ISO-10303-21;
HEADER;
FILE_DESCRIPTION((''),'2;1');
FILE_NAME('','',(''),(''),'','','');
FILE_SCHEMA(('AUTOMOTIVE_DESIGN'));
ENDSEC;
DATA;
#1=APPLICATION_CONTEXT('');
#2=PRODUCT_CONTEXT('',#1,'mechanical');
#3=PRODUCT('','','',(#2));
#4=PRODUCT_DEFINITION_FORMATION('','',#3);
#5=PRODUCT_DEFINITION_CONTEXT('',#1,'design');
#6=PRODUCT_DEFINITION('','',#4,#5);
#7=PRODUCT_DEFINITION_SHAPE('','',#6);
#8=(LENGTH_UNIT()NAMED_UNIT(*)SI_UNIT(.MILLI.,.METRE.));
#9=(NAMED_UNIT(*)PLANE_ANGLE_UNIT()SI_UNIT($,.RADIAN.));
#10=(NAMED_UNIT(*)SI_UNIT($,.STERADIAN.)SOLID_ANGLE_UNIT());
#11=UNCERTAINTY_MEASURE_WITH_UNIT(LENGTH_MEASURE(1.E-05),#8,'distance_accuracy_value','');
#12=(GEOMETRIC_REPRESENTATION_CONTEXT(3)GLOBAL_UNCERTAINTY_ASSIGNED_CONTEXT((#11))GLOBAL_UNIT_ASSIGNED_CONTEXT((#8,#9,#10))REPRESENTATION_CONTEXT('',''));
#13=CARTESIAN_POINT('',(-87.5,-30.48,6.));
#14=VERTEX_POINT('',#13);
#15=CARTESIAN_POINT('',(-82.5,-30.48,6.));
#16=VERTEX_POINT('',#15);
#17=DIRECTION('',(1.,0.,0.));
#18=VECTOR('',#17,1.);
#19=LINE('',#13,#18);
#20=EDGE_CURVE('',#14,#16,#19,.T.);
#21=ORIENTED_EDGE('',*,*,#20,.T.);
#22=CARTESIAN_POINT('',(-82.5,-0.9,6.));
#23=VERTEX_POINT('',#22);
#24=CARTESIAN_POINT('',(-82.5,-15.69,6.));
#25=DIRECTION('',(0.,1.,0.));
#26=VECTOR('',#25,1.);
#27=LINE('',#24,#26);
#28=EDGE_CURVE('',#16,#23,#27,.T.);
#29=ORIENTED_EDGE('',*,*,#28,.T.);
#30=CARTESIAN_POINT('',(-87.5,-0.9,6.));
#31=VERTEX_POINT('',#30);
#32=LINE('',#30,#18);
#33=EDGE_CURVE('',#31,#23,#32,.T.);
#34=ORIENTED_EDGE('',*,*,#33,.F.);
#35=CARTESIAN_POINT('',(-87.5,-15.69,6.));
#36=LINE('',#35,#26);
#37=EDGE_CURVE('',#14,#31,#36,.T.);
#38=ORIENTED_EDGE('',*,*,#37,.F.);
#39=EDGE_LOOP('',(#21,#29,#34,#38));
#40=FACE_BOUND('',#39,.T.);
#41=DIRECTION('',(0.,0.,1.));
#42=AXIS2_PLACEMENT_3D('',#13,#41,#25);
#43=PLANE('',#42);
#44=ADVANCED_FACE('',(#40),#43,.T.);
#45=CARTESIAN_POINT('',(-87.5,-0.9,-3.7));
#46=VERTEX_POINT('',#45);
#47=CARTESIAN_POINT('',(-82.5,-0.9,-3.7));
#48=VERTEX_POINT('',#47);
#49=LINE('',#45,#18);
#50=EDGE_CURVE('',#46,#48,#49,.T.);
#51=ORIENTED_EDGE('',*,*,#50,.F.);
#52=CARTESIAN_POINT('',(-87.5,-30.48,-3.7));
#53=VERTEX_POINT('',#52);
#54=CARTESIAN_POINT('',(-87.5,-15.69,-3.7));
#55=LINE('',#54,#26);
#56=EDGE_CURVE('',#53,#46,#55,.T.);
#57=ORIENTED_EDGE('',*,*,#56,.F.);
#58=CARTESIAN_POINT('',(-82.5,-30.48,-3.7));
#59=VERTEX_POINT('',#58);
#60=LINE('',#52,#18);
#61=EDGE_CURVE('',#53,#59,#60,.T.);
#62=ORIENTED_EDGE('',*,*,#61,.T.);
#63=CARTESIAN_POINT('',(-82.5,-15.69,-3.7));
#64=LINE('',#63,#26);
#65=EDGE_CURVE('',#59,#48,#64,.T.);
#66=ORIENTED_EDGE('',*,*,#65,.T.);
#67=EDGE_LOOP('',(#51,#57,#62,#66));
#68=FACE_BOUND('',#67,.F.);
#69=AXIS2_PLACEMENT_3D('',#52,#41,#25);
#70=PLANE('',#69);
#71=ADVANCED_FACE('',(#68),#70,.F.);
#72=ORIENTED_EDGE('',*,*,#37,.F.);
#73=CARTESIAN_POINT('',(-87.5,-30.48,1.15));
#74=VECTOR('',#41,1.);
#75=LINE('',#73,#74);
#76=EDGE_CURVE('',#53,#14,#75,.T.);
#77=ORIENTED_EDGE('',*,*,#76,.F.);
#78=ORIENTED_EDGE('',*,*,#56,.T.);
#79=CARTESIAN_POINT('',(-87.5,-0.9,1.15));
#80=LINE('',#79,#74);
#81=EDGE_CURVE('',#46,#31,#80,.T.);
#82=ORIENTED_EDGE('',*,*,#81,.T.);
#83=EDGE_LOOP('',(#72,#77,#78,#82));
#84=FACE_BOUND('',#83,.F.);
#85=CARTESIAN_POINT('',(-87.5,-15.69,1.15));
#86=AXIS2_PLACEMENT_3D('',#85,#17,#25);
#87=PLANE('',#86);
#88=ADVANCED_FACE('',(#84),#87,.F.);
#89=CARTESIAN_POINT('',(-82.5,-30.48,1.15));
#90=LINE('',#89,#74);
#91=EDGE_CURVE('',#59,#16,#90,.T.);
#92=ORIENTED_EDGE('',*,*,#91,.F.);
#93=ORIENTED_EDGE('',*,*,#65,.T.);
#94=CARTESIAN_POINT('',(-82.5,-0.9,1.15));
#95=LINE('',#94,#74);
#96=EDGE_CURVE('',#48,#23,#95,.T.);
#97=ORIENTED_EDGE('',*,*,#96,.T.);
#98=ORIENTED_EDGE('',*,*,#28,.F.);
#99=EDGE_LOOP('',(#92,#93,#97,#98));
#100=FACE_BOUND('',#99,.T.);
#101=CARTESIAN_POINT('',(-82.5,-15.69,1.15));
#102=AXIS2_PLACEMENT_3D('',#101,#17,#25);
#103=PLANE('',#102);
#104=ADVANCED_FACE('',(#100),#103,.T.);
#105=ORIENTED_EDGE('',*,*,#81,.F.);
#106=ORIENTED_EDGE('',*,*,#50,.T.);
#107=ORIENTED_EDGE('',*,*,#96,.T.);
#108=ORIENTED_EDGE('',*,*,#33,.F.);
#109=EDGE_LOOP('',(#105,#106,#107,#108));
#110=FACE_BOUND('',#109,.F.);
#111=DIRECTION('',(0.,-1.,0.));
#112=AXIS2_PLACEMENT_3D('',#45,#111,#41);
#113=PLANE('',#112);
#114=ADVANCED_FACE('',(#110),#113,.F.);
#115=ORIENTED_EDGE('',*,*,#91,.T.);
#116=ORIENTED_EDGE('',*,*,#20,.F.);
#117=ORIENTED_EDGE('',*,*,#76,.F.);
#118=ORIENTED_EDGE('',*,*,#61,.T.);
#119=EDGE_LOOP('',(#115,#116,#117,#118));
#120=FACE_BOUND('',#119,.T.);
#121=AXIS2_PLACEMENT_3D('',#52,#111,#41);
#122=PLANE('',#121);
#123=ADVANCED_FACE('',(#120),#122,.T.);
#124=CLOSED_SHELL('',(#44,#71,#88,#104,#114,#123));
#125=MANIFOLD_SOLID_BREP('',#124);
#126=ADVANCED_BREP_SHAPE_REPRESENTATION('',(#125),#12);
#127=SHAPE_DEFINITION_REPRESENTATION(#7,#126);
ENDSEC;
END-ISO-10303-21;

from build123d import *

# Parameters (mm, degrees)
F1_W     = 29.58
F1_H     = 9.7
F2_DEPTH = 5


with BuildPart() as f2:
    # F1 (on offset) → F2 (new body)
    with BuildSketch(Plane.YZ.offset(-87.5)):
        with Locations((-15.69, 1.15)):
            Rectangle(F1_W, F1_H)
    extrude(amount=F2_DEPTH)


solid = f2.part
